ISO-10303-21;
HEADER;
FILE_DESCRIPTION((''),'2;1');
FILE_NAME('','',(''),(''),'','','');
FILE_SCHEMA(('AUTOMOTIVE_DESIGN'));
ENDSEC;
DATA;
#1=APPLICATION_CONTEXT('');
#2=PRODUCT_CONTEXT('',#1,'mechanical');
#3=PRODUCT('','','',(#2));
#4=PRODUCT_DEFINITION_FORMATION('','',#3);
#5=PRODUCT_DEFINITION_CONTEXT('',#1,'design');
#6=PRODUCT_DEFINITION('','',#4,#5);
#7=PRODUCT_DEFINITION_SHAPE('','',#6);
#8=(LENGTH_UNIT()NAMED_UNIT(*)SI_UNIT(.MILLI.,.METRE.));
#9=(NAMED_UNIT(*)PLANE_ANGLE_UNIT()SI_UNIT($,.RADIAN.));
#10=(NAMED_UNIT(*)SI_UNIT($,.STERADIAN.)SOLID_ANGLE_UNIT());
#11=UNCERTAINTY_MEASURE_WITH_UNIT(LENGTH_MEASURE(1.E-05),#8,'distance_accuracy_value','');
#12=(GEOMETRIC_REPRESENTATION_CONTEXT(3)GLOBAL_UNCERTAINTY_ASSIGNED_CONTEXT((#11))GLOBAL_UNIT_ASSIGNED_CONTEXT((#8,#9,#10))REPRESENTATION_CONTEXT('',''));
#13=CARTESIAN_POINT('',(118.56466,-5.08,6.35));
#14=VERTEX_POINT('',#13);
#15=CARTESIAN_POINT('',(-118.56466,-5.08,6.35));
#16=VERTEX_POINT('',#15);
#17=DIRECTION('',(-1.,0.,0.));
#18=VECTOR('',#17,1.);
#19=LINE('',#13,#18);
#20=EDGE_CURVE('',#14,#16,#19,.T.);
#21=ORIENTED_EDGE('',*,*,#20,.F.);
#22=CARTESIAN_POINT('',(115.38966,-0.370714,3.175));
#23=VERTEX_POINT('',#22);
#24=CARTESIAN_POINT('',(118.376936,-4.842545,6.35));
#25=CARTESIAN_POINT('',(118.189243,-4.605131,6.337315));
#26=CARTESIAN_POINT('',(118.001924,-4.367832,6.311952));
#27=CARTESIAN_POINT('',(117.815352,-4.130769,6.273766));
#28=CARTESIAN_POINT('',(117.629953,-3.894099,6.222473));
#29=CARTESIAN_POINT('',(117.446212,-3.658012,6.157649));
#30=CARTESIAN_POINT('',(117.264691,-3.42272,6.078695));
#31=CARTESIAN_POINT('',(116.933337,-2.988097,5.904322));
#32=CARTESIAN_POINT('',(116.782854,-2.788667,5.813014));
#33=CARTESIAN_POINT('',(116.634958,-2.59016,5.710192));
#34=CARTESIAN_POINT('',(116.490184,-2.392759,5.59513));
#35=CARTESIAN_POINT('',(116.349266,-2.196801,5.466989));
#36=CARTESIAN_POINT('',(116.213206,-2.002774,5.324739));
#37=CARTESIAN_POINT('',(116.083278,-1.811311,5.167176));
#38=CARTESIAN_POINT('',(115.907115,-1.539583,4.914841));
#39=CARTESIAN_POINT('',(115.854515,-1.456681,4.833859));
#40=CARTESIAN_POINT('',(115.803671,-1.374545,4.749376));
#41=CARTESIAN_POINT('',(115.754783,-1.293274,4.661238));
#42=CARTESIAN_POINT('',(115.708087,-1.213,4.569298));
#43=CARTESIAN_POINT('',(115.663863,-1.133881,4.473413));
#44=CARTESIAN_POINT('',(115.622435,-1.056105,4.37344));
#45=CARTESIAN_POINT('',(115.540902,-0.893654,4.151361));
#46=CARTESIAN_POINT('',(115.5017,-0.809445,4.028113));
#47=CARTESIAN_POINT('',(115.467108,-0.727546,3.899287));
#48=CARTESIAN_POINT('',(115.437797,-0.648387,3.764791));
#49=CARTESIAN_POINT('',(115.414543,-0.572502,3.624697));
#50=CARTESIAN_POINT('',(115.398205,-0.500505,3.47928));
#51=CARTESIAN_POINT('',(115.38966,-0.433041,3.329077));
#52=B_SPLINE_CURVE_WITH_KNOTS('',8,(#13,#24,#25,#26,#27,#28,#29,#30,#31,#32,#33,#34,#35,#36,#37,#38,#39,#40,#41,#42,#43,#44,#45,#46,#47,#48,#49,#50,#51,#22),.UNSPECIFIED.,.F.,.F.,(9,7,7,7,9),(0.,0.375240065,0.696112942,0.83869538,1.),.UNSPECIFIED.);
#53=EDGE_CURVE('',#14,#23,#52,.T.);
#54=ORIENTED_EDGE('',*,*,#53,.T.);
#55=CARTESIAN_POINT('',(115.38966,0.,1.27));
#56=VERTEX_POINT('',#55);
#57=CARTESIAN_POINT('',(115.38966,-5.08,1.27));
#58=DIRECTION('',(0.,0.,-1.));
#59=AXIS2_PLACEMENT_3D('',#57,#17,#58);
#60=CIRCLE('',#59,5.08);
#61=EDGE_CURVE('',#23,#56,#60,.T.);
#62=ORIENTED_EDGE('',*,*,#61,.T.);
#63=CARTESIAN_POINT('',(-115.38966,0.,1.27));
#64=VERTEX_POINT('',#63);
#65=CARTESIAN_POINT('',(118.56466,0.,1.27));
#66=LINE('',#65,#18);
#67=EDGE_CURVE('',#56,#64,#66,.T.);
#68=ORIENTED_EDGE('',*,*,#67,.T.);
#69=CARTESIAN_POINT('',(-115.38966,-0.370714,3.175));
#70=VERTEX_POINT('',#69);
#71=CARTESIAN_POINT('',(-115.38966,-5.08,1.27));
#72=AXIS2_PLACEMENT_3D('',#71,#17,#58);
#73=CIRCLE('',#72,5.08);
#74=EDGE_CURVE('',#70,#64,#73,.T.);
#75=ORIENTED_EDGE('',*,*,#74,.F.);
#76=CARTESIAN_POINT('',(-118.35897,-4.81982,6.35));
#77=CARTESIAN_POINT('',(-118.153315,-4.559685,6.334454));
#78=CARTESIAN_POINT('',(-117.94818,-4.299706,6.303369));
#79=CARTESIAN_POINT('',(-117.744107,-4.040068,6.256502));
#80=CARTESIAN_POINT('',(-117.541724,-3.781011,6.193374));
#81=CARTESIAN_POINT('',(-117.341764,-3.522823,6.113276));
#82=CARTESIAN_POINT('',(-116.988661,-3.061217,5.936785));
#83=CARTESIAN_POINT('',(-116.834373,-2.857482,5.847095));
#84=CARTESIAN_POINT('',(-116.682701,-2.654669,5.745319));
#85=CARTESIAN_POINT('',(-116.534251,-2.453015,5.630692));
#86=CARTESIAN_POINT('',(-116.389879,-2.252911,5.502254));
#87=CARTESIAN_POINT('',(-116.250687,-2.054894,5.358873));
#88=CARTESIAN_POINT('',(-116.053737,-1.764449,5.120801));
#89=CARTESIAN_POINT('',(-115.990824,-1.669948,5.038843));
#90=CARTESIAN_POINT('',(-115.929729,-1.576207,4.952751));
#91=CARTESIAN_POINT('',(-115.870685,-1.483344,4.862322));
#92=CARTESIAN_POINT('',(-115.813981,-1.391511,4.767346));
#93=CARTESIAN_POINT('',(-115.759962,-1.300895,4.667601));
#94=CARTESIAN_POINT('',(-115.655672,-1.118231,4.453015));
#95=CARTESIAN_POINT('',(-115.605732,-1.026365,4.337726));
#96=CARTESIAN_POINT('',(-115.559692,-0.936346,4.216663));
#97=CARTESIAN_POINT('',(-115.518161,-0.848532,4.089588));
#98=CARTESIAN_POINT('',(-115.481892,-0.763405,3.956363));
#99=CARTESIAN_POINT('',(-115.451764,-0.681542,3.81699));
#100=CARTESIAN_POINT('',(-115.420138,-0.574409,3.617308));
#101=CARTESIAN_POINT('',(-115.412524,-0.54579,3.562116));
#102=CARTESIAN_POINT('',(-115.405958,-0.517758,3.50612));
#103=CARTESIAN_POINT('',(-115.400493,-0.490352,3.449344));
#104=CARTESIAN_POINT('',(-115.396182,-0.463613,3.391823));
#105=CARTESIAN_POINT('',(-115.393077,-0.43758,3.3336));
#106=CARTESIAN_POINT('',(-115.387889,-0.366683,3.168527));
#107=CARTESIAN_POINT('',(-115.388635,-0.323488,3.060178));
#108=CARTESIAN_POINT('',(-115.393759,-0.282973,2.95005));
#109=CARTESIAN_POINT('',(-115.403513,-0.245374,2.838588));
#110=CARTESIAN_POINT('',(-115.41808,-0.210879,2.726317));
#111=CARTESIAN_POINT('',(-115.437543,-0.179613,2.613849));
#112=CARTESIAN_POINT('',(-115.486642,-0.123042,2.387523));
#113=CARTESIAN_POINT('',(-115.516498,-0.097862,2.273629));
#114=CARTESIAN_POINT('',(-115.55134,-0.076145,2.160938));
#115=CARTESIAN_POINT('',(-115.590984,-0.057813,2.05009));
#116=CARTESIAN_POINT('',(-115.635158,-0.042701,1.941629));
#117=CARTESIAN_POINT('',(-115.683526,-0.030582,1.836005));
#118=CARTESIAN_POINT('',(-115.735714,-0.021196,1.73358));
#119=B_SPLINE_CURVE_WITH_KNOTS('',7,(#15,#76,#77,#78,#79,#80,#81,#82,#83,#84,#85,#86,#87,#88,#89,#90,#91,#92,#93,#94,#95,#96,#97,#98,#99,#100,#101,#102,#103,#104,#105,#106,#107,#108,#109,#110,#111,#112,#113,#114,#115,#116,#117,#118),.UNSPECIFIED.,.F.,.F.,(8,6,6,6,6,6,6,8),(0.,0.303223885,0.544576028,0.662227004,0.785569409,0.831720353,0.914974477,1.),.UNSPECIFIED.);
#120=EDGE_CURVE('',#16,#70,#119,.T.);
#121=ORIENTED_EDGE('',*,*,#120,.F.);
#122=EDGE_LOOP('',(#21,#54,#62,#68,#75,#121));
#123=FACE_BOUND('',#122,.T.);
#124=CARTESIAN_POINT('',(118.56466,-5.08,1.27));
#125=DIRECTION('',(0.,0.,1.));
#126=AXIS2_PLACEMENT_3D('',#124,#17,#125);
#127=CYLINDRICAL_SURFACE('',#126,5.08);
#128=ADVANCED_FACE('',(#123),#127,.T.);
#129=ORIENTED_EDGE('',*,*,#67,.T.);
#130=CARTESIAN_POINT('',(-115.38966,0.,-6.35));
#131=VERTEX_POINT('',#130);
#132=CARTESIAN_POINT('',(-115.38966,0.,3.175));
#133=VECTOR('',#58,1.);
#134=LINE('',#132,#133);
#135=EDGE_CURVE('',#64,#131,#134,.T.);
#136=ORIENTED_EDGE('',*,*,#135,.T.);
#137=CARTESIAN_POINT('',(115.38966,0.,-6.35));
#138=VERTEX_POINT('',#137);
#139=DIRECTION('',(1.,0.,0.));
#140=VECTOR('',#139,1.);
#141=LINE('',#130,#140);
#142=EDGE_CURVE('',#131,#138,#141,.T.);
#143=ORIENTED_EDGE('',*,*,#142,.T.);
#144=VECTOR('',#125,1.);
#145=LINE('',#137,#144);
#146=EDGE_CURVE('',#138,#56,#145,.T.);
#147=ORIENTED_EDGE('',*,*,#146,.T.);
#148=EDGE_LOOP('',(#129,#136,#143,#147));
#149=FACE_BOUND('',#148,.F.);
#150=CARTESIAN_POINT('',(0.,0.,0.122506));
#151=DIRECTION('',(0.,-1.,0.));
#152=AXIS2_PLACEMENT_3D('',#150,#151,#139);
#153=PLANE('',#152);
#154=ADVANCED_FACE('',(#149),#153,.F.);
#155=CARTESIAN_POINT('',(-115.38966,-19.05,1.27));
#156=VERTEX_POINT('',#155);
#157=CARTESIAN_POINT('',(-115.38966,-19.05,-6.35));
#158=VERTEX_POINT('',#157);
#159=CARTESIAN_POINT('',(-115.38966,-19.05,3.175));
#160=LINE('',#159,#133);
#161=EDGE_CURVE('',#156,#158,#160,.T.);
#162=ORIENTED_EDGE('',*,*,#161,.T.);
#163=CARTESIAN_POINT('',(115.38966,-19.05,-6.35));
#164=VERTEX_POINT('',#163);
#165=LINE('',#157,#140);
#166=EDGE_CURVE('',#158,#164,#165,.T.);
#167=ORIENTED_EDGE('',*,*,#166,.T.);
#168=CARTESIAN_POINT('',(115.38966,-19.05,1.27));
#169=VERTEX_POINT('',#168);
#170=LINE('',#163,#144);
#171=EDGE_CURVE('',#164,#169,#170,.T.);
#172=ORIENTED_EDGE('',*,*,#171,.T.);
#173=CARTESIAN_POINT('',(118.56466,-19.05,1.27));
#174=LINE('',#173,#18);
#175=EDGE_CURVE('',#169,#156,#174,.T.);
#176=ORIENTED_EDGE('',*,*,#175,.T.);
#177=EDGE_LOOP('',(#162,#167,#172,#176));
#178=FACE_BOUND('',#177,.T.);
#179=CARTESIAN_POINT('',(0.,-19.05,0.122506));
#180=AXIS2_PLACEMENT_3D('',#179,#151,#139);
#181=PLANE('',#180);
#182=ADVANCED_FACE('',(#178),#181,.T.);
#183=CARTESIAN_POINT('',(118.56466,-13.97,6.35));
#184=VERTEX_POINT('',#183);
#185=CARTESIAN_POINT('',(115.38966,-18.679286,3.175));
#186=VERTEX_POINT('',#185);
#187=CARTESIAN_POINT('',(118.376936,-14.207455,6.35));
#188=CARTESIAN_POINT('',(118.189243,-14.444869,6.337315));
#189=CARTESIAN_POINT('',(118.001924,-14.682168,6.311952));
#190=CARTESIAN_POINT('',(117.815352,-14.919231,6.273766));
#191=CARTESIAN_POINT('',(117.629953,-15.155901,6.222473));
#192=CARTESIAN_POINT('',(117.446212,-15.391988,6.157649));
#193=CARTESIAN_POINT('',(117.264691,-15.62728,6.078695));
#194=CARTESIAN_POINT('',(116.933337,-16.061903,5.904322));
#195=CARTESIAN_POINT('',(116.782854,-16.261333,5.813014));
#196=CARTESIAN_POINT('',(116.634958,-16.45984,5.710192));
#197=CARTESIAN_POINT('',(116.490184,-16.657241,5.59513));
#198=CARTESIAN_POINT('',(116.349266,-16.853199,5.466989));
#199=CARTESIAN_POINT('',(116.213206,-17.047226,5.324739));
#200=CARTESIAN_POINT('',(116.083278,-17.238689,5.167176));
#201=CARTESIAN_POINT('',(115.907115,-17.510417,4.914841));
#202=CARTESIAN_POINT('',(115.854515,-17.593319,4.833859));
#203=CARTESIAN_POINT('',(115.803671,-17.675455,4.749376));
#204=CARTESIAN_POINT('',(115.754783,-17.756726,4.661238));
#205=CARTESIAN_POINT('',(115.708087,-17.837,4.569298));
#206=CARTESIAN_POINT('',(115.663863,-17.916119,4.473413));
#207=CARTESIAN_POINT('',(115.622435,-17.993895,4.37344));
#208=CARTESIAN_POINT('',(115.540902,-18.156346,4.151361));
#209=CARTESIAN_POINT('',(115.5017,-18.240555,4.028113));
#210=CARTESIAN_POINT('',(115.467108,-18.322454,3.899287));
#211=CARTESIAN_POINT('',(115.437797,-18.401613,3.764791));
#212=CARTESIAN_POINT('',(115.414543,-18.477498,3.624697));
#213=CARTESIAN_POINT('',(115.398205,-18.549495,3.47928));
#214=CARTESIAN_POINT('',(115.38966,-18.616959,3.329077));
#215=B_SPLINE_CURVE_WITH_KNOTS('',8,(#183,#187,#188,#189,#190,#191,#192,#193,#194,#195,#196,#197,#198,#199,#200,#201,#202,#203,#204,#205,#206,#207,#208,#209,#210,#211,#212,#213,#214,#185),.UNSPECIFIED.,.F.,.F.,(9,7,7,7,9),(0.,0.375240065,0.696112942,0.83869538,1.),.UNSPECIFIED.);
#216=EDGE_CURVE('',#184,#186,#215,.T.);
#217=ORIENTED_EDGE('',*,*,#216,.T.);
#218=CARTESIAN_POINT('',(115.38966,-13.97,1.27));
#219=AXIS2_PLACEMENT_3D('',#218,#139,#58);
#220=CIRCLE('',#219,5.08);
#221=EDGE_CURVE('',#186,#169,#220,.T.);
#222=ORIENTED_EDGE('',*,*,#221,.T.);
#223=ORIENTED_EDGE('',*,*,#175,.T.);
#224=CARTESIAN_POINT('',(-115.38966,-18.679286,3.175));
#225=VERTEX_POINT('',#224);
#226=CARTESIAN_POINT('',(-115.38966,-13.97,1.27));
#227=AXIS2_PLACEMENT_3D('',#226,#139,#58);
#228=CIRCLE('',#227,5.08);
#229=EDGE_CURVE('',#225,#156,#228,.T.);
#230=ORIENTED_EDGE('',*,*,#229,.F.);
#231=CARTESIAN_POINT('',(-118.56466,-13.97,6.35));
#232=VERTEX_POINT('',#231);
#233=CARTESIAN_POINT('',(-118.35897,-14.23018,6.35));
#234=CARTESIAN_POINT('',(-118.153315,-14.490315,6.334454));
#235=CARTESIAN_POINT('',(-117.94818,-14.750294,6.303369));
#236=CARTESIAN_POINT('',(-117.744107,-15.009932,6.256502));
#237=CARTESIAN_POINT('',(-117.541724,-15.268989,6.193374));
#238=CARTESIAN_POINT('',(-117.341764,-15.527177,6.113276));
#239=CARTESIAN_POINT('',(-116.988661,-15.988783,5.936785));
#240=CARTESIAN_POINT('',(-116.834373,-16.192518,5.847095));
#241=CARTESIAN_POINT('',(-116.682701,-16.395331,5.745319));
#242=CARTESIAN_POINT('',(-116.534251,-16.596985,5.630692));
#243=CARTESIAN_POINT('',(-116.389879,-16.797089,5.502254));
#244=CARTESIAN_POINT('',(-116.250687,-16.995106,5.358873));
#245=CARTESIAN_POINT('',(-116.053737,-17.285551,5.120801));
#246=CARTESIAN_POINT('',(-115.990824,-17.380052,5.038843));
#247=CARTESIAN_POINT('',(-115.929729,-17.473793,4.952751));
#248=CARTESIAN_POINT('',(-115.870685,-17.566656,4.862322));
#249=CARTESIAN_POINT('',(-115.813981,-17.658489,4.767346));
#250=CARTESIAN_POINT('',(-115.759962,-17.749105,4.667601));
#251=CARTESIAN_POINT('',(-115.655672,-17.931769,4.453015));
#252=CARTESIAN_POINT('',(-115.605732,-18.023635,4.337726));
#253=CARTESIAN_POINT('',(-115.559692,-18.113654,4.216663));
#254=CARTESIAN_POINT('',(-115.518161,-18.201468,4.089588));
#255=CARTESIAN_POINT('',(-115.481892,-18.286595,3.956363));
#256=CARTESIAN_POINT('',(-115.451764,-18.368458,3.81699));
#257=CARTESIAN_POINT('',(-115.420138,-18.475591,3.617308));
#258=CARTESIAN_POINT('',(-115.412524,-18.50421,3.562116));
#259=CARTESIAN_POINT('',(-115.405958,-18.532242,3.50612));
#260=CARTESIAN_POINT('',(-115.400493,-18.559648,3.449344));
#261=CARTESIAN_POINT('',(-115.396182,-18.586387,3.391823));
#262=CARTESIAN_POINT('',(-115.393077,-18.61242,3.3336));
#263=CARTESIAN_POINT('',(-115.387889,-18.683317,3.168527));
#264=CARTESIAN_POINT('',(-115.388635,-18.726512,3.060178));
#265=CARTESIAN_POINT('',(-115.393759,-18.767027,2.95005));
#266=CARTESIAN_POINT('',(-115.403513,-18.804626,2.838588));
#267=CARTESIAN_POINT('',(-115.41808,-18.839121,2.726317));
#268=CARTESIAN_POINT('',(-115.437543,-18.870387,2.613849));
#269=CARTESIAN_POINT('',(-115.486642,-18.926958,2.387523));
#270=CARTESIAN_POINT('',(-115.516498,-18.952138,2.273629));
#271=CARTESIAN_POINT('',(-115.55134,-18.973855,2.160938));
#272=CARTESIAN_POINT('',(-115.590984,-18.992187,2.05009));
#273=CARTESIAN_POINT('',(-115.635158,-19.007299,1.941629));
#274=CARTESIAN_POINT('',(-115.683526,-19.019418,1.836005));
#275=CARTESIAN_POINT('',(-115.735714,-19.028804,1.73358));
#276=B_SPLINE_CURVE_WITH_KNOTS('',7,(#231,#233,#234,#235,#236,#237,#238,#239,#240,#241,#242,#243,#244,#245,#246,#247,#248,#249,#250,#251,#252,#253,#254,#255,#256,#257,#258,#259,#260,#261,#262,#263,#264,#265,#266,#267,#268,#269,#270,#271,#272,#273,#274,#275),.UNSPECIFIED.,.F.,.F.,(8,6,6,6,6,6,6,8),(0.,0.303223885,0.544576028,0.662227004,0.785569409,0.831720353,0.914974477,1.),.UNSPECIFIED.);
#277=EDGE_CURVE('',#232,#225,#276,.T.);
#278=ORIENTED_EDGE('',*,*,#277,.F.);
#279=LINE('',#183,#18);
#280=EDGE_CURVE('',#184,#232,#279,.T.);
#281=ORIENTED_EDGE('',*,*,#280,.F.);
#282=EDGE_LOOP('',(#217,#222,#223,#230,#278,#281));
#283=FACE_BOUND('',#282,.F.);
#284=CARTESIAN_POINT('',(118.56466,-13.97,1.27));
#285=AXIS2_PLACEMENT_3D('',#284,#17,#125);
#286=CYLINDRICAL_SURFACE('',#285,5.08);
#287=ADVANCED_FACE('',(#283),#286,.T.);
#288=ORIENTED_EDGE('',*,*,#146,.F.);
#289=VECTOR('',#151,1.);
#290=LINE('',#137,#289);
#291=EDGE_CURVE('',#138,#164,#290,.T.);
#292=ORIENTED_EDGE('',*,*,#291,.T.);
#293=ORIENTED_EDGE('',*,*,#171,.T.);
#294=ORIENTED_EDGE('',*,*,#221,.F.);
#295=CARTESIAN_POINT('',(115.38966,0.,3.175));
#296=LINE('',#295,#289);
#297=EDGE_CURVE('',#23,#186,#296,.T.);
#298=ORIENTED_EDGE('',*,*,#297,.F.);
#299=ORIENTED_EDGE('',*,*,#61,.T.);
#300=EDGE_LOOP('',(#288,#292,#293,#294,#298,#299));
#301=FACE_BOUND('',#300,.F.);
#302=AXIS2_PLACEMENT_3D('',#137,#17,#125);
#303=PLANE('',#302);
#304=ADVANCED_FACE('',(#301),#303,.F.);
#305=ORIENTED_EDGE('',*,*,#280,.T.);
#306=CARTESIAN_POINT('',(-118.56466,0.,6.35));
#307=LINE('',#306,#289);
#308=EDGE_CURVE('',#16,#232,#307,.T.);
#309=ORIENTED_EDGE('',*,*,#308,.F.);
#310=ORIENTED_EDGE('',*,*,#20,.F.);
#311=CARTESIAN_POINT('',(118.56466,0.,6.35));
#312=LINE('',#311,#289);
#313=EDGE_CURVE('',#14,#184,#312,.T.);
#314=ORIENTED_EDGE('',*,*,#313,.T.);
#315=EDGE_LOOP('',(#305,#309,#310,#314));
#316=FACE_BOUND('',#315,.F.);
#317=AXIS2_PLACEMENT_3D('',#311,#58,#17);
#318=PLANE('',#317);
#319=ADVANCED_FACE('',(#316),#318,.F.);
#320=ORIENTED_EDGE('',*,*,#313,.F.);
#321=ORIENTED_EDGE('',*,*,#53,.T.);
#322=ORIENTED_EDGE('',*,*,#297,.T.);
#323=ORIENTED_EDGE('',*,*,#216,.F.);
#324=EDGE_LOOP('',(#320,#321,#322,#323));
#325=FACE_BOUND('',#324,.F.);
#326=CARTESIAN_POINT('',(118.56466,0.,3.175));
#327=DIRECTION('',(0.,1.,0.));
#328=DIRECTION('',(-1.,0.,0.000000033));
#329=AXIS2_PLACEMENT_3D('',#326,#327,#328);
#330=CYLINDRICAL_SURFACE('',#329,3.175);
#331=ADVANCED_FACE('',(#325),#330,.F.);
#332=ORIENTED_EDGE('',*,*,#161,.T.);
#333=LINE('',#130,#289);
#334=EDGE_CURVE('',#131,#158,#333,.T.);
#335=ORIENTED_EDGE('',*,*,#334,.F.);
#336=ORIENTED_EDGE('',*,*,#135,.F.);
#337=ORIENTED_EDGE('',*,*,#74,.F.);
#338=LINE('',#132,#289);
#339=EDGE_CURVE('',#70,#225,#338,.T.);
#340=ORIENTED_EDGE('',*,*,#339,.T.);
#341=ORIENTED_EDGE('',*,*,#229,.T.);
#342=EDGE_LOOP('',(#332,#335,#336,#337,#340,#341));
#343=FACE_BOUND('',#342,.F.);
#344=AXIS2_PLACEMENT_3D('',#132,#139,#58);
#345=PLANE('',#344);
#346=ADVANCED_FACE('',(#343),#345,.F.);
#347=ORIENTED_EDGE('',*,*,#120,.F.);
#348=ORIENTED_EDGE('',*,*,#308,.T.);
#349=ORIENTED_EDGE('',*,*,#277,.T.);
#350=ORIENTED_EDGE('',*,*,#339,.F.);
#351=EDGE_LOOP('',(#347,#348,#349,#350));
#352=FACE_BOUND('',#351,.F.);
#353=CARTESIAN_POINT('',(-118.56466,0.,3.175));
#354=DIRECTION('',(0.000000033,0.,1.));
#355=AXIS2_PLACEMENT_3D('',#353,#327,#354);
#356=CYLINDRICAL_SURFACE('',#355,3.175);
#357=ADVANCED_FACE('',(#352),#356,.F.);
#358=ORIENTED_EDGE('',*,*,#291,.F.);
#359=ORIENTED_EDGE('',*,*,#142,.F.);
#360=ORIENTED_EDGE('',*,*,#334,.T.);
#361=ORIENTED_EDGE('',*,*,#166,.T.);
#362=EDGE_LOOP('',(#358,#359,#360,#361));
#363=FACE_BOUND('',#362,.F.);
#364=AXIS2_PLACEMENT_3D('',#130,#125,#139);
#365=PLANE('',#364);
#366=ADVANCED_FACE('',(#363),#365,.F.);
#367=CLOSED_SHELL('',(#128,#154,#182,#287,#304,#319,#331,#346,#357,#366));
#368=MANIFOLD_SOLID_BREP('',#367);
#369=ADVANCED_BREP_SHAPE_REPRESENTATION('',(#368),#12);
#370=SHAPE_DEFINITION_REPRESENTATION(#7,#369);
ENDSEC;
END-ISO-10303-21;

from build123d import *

# Parameters (mm, degrees)
F1_DEPTH = 19.05
F2_R     = 5.08


with BuildPart() as f1:
    # F0 (on Front) → F1 (new body)
    with BuildSketch(Plane.XZ):
        with BuildLine():
            ThreePointArc((115.38966, 3.175), (116.319596, 5.420064), (118.56466, 6.35))
            Line((118.56466, 6.35), (-118.56466, 6.35))
            ThreePointArc((-118.56466, 6.35), (-116.319596, 5.420064), (-115.38966, 3.175))
            Line((-115.38966, 3.175), (-115.38966, -6.35))
            Line((-115.38966, -6.35), (115.38966, -6.35))
            Line((115.38966, -6.35), (115.38966, 3.175))
        make_face()
    extrude(amount=F1_DEPTH)

    # F2
    f2_edges = [f1.edges().sort_by_distance(p)[0] for p in [
        (0, -19.05, 6.35),
        (0, 0, 6.35),
    ]]
    fillet(f2_edges, radius=F2_R)


solid = f1.part
